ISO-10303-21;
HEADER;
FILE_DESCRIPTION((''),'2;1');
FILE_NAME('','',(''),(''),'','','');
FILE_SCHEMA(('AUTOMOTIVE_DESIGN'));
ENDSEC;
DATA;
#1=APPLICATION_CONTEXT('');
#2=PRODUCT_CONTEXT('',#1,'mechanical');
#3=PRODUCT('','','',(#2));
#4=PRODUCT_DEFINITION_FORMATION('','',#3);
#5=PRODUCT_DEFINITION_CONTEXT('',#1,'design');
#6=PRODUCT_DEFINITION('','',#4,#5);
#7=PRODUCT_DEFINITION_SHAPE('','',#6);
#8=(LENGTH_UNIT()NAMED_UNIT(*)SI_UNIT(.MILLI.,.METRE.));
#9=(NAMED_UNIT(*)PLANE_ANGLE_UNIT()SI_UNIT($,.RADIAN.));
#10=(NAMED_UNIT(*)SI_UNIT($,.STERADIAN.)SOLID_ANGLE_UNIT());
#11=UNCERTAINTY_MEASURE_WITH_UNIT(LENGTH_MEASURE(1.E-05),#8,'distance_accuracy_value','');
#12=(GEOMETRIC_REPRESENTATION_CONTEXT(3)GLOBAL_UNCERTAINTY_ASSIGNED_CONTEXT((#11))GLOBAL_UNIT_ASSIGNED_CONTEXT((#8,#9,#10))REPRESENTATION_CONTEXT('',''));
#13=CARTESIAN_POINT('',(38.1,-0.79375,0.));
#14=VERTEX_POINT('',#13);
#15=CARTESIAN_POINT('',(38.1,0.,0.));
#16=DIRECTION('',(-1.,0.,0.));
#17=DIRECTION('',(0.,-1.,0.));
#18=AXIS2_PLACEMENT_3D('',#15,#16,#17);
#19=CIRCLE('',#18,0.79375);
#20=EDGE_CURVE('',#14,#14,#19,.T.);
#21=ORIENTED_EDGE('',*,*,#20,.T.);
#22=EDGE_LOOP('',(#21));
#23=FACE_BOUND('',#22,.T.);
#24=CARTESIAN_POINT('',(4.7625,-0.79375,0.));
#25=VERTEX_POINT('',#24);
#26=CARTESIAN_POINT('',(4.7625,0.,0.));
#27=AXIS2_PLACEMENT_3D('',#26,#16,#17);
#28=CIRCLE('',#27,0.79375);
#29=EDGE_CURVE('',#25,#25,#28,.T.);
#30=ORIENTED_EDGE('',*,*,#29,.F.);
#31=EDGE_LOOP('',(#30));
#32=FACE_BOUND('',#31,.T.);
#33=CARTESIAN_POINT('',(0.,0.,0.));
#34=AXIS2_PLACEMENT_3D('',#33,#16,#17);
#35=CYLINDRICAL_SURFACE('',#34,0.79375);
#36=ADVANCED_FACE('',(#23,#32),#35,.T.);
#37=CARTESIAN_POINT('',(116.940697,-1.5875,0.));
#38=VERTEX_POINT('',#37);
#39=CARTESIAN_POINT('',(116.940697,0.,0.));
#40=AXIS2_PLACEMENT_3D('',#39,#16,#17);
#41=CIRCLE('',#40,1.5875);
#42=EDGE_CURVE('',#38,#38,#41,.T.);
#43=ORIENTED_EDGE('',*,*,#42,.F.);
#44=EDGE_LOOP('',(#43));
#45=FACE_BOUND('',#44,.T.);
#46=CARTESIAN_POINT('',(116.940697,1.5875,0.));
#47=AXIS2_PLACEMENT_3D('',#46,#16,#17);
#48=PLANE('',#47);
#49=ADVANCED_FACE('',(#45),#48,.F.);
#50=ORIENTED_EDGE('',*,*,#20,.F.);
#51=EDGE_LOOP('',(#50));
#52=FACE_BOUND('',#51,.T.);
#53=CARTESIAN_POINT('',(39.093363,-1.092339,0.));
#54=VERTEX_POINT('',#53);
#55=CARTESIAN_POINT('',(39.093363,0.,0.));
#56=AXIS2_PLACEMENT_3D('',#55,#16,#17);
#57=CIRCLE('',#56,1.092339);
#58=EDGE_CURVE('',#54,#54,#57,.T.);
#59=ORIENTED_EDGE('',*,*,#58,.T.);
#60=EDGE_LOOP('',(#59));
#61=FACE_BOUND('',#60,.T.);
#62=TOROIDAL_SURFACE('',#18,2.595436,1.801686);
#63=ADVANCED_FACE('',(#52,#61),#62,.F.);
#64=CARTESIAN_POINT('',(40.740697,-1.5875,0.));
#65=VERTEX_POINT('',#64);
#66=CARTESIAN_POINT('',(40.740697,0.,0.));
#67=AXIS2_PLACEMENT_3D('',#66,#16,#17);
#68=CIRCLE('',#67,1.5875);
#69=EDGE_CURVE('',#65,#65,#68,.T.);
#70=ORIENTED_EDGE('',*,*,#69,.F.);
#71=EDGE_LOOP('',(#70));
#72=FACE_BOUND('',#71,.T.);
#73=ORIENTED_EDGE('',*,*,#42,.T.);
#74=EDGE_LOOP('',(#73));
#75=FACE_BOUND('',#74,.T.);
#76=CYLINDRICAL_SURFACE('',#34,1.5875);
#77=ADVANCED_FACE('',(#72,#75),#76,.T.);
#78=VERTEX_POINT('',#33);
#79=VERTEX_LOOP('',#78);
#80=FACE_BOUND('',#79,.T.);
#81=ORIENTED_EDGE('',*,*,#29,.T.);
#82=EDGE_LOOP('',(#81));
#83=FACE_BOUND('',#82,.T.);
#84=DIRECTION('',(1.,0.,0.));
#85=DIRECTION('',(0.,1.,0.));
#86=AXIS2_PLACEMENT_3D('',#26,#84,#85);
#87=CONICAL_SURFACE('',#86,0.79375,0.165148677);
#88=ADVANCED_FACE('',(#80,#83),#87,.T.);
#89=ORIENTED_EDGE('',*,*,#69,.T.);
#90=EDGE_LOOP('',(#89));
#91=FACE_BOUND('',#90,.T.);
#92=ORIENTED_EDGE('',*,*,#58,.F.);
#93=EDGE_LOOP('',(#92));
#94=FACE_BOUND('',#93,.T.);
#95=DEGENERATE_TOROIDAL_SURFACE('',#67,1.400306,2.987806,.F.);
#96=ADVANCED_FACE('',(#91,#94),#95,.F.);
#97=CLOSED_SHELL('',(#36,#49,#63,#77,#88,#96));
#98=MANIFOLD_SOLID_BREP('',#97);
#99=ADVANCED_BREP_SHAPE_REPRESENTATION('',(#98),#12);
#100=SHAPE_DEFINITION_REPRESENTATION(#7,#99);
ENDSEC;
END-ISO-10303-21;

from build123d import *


with BuildPart() as part:
    # Sketch1 → Revolve1 (revolve)
    with BuildSketch(Plane.XY, mode=Mode.PRIVATE) as revolve1_sk:
        with BuildLine():
            Line((0, 0), (4.7625, 0.79375))
            Line((4.7625, 0.79375), (38.1, 0.79375))
            ThreePointArc((38.1, 0.79375), (38.618634231, 0.870011143), (39.093363314, 1.092338661))
            ThreePointArc((39.093363314, 1.092338661), (39.880625254, 1.461033142), (40.740696831, 1.5875))
            Line((40.740696831, 1.5875), (116.940696831, 1.5875))
            Line((116.940696831, 1.5875), (116.940696831, 0))
            Line((116.940696831, 0), (0, 0))
        make_face()
    revolve(revolve1_sk.sketch.rotate(Axis((0, 0, 0), (1, 0, 0)), 180), axis=Axis((0, 0, 0), (1, 0, 0)))


solid = part.part
